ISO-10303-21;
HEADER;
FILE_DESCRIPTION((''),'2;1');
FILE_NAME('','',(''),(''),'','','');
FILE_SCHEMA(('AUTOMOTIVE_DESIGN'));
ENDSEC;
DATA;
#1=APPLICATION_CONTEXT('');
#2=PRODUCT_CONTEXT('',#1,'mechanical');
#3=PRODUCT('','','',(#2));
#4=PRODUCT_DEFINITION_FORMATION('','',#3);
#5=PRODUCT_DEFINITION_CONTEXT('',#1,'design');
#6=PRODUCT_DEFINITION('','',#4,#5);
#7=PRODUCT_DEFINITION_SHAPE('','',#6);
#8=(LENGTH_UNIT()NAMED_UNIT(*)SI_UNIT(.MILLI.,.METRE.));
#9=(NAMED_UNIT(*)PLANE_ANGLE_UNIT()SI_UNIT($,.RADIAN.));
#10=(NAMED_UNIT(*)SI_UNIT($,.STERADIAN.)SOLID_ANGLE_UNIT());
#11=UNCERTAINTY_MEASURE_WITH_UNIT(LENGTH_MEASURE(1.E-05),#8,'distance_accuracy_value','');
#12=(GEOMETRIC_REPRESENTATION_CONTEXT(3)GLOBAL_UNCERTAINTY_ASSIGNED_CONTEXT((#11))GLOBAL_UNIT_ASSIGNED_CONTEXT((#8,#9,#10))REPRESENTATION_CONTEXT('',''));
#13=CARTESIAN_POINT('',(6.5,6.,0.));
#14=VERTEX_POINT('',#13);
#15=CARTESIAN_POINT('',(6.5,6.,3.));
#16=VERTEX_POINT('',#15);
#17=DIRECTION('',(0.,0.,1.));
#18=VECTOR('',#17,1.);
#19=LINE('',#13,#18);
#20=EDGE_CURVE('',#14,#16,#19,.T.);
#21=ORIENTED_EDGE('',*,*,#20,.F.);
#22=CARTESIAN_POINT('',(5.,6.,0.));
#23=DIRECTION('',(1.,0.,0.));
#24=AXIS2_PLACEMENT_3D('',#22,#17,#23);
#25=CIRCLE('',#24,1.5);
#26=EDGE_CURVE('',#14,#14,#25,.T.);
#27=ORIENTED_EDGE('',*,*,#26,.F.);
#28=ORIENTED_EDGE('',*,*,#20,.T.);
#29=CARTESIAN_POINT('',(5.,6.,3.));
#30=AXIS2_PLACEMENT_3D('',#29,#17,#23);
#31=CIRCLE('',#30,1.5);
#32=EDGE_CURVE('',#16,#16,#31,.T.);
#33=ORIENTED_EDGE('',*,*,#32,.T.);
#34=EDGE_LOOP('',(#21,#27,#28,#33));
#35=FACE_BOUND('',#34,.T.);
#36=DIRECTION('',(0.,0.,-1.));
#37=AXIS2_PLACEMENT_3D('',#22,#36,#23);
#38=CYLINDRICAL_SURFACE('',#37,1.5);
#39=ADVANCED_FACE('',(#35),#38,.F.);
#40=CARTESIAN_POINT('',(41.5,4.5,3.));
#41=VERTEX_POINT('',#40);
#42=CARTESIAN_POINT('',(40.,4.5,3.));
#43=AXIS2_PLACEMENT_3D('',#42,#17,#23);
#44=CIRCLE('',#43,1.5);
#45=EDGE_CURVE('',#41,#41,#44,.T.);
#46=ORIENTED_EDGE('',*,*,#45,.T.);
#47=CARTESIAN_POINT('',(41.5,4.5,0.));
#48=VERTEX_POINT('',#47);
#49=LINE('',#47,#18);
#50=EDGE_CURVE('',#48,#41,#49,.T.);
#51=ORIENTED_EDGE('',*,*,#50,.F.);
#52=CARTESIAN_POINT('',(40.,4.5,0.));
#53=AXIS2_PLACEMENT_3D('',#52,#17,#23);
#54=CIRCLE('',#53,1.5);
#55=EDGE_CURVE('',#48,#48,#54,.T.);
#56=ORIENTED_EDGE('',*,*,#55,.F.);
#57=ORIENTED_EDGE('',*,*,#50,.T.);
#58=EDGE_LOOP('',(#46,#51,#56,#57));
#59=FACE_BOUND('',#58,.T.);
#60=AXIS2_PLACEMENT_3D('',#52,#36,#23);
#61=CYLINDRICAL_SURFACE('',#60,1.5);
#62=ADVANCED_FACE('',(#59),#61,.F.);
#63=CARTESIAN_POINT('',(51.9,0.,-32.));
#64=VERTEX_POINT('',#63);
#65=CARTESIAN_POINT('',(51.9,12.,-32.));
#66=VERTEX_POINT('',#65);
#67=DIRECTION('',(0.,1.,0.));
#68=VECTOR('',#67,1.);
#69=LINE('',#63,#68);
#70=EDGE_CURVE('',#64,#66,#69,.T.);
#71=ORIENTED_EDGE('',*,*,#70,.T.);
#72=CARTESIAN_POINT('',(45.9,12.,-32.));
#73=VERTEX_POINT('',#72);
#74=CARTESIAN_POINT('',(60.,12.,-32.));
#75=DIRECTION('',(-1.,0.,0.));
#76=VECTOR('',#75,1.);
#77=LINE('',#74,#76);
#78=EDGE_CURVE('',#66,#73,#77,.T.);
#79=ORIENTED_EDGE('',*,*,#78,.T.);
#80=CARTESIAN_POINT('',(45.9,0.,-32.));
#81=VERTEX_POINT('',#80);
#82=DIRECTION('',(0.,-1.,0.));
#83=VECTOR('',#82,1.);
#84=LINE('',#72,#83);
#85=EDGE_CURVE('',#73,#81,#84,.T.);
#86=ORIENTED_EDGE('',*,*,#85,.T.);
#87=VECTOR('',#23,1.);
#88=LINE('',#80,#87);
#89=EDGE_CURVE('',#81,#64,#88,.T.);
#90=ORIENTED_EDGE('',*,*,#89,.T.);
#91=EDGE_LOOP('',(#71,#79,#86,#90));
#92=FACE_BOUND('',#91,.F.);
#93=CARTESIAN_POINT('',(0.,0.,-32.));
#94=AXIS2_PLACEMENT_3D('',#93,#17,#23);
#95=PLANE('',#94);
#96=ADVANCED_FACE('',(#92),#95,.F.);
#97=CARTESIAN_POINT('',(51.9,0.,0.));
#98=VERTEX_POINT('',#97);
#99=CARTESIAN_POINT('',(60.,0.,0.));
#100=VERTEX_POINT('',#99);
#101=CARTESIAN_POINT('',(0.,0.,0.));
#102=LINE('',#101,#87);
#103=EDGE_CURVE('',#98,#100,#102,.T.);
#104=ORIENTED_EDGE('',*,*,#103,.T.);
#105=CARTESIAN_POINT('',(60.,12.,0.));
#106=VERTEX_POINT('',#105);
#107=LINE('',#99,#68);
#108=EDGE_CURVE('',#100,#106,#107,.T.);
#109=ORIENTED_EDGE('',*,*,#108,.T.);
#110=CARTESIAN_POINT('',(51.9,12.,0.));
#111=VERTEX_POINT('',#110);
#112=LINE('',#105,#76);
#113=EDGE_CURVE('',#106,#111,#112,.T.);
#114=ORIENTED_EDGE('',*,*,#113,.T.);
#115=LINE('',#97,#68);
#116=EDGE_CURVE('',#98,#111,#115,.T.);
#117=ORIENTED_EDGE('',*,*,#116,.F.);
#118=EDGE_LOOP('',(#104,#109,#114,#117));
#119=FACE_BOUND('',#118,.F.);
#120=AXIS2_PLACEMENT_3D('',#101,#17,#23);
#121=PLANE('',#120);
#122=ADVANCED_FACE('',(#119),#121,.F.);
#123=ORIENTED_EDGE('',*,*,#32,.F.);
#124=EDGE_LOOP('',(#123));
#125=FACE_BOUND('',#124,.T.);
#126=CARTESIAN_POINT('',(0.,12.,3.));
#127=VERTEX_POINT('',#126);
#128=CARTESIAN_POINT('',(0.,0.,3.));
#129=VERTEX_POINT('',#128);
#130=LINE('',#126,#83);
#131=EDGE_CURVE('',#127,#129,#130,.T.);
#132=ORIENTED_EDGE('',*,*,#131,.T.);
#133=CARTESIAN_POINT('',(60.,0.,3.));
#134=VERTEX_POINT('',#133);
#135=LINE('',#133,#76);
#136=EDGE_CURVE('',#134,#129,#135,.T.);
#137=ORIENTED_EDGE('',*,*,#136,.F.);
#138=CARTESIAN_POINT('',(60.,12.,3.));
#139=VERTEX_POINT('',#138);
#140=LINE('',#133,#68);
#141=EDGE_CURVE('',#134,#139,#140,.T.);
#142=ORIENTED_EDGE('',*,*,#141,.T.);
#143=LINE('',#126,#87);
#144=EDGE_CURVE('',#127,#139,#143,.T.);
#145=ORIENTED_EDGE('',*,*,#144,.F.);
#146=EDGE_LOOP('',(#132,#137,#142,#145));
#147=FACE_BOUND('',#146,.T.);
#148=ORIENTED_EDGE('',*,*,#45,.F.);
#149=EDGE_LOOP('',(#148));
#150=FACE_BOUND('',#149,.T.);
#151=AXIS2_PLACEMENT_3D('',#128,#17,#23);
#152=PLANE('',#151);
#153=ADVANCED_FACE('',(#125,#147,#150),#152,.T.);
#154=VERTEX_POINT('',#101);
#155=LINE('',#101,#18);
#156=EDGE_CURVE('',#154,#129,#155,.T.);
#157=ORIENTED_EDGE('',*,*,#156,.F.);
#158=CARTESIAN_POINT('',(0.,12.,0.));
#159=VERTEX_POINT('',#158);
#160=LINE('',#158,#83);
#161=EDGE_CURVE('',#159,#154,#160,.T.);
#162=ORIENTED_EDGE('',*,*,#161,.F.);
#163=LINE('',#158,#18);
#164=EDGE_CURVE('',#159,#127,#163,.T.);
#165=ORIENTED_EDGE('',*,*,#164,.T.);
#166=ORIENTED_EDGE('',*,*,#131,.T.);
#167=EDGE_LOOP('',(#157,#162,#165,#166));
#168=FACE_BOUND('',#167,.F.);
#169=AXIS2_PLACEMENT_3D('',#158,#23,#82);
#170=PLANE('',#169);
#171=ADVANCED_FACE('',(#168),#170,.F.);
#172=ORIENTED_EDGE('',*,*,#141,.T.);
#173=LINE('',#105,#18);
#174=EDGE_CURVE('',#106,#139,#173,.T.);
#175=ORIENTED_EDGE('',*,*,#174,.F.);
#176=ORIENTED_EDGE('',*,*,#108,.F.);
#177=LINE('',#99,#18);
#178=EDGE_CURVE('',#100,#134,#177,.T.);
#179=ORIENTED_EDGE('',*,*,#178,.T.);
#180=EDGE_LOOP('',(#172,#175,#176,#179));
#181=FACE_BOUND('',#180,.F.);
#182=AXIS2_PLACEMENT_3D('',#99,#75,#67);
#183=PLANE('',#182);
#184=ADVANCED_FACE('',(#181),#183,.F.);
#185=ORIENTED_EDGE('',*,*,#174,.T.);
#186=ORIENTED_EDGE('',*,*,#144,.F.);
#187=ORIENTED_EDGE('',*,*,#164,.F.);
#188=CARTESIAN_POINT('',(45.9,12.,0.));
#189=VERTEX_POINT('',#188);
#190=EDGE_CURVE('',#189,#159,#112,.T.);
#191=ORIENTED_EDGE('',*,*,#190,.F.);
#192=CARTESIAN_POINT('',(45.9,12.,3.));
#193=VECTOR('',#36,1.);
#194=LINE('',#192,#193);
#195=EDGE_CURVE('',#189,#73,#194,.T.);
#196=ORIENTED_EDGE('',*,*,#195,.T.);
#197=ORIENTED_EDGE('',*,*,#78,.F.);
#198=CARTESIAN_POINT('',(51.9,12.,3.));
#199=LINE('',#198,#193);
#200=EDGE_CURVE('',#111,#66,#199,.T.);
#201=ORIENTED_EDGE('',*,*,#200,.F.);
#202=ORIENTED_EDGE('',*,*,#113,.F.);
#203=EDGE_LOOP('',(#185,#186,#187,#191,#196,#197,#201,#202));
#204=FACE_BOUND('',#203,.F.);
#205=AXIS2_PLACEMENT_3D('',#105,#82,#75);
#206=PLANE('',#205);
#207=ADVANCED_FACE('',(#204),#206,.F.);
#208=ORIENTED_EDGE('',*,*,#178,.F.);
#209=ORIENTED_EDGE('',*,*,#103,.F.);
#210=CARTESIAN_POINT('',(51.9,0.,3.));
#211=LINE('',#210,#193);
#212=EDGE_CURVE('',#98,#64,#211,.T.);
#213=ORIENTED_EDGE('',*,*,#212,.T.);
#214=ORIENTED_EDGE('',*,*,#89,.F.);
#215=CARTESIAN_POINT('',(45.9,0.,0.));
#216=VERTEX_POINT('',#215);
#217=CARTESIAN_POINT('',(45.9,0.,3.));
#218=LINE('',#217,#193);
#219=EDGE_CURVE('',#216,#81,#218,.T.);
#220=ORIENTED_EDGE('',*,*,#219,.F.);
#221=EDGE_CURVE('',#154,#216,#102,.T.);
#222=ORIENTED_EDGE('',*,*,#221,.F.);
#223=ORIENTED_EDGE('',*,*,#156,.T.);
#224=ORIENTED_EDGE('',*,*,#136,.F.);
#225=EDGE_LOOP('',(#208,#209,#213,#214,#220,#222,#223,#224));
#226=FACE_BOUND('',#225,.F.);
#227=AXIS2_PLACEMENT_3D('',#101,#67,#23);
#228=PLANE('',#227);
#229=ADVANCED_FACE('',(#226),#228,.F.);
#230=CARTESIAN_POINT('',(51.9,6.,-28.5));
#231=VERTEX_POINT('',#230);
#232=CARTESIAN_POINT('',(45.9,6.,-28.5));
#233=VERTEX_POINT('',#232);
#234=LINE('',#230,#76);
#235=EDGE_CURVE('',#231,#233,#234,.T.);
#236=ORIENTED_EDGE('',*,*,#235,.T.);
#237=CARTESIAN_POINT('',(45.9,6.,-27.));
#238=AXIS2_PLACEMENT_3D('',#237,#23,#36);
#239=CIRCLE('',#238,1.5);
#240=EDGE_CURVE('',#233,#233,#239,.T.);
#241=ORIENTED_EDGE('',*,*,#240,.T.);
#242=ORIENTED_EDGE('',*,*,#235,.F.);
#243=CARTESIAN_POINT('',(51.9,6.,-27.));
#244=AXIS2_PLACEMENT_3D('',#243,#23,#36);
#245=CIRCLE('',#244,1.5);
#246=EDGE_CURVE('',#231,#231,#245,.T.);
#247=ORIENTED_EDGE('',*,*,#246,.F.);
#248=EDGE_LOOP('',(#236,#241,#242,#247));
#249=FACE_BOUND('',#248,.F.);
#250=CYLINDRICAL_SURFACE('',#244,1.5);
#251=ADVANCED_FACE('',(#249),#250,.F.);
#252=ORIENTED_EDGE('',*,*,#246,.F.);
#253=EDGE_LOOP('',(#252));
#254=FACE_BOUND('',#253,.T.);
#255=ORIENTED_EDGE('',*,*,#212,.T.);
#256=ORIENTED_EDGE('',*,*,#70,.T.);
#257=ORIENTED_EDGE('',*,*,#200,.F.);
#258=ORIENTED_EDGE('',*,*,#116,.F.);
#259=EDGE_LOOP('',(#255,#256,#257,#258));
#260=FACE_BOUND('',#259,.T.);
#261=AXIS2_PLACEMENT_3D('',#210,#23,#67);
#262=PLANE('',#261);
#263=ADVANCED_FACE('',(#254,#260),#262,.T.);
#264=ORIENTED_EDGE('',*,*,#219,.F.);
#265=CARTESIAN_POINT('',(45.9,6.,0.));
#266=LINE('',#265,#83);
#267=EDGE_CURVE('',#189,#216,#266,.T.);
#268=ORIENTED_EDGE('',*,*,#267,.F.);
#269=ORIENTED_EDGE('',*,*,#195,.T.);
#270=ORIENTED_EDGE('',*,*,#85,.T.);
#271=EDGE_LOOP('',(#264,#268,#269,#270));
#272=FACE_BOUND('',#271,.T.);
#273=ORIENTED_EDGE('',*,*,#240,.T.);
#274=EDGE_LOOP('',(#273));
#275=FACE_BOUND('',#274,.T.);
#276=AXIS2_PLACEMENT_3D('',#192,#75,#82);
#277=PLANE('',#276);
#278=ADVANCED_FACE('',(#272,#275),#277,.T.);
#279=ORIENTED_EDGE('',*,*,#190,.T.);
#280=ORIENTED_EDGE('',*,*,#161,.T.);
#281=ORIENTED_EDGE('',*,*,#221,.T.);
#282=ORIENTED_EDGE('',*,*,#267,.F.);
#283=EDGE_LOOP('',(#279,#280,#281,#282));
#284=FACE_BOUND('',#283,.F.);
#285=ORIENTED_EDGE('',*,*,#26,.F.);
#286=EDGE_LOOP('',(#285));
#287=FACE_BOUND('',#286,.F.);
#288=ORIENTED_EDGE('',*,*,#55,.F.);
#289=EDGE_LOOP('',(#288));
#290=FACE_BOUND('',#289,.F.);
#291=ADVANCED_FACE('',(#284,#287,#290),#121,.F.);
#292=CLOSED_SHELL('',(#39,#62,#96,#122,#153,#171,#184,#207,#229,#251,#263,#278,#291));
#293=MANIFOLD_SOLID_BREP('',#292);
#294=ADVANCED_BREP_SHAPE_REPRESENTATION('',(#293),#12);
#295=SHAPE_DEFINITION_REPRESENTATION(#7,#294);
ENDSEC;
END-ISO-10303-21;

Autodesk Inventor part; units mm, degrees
ref_plane "YZ Plane" through (0, 0, 0) normal (1, 0, 0) x (0, 1, 0)
ref_plane "XZ Plane" through (0, 0, 0) normal (0, 1, 0) x (-1, 0, 0)
ref_plane "XY Plane" through (0, 0, 0) normal (0, 0, 1) x (1, 0, 0)
sketch "Sketch3" plane through (0, 0, 0) normal (0, 0, 1) x (1, 0, 0)
  line L0 (0, 0) -> (60, 0)
  line L1 (60, 0) -> (60, 12)
  line L2 (60, 12) -> (0, 12)
  line L3 (0, 12) -> (0, 0)
  circle A0 centre (40, 4.5) radius 1.5
  circle A1 centre (5, 6) radius 1.5
  dimension "d0" = 60
  dimension "d2" = 3
  dimension "d3" = 4.5
  dimension "d4" = 12
  dimension "d8" = 20
  dimension "d17" = 3
  dimension "d18" = 5
extrude "Extrusion1" add sketch "Sketch3" along normal blind 3
sketch "Sketch4" plane through (0, 0, 3) normal (0, 0, 1) x (1, 0, 0)
  line L0 (60, 12) -> (0, 12) projected
  line L1 (45.9, 0) -> (51.9, 0)
  line L2 (51.9, 0) -> (51.9, 12)
  line L3 (51.9, 12) -> (45.9, 12)
  line L4 (45.9, 12) -> (45.9, 0)
  circle A0 centre (40, 4.5) radius 1.5 projected
  point P0 (0, 0)
  dimension "d9" = 6
  dimension "d10" = 5.9
extrude "Extrusion2" add sketch "Sketch4" against normal blind 35 contours L2 L1 L4 L0
sketch "Sketch5" plane through (51.9, 0, 0) normal (1, 0, 0) x (0, 0, -1)
  line L0 (32, 0) -> (32, 12) construction
  line L1 (0, 6) -> (0, 3) construction
  line L2 (32, 6) -> (0, 6) construction
  circle A0 centre (27, 6) radius 1.5
  point P0 (0, 0)
  dimension "d13" = 3
  dimension "d14" = 5
extrude "Extrusion3" cut sketch "Sketch5" against normal through all
properties part number "thumper-bumper-solenoid-interface"
